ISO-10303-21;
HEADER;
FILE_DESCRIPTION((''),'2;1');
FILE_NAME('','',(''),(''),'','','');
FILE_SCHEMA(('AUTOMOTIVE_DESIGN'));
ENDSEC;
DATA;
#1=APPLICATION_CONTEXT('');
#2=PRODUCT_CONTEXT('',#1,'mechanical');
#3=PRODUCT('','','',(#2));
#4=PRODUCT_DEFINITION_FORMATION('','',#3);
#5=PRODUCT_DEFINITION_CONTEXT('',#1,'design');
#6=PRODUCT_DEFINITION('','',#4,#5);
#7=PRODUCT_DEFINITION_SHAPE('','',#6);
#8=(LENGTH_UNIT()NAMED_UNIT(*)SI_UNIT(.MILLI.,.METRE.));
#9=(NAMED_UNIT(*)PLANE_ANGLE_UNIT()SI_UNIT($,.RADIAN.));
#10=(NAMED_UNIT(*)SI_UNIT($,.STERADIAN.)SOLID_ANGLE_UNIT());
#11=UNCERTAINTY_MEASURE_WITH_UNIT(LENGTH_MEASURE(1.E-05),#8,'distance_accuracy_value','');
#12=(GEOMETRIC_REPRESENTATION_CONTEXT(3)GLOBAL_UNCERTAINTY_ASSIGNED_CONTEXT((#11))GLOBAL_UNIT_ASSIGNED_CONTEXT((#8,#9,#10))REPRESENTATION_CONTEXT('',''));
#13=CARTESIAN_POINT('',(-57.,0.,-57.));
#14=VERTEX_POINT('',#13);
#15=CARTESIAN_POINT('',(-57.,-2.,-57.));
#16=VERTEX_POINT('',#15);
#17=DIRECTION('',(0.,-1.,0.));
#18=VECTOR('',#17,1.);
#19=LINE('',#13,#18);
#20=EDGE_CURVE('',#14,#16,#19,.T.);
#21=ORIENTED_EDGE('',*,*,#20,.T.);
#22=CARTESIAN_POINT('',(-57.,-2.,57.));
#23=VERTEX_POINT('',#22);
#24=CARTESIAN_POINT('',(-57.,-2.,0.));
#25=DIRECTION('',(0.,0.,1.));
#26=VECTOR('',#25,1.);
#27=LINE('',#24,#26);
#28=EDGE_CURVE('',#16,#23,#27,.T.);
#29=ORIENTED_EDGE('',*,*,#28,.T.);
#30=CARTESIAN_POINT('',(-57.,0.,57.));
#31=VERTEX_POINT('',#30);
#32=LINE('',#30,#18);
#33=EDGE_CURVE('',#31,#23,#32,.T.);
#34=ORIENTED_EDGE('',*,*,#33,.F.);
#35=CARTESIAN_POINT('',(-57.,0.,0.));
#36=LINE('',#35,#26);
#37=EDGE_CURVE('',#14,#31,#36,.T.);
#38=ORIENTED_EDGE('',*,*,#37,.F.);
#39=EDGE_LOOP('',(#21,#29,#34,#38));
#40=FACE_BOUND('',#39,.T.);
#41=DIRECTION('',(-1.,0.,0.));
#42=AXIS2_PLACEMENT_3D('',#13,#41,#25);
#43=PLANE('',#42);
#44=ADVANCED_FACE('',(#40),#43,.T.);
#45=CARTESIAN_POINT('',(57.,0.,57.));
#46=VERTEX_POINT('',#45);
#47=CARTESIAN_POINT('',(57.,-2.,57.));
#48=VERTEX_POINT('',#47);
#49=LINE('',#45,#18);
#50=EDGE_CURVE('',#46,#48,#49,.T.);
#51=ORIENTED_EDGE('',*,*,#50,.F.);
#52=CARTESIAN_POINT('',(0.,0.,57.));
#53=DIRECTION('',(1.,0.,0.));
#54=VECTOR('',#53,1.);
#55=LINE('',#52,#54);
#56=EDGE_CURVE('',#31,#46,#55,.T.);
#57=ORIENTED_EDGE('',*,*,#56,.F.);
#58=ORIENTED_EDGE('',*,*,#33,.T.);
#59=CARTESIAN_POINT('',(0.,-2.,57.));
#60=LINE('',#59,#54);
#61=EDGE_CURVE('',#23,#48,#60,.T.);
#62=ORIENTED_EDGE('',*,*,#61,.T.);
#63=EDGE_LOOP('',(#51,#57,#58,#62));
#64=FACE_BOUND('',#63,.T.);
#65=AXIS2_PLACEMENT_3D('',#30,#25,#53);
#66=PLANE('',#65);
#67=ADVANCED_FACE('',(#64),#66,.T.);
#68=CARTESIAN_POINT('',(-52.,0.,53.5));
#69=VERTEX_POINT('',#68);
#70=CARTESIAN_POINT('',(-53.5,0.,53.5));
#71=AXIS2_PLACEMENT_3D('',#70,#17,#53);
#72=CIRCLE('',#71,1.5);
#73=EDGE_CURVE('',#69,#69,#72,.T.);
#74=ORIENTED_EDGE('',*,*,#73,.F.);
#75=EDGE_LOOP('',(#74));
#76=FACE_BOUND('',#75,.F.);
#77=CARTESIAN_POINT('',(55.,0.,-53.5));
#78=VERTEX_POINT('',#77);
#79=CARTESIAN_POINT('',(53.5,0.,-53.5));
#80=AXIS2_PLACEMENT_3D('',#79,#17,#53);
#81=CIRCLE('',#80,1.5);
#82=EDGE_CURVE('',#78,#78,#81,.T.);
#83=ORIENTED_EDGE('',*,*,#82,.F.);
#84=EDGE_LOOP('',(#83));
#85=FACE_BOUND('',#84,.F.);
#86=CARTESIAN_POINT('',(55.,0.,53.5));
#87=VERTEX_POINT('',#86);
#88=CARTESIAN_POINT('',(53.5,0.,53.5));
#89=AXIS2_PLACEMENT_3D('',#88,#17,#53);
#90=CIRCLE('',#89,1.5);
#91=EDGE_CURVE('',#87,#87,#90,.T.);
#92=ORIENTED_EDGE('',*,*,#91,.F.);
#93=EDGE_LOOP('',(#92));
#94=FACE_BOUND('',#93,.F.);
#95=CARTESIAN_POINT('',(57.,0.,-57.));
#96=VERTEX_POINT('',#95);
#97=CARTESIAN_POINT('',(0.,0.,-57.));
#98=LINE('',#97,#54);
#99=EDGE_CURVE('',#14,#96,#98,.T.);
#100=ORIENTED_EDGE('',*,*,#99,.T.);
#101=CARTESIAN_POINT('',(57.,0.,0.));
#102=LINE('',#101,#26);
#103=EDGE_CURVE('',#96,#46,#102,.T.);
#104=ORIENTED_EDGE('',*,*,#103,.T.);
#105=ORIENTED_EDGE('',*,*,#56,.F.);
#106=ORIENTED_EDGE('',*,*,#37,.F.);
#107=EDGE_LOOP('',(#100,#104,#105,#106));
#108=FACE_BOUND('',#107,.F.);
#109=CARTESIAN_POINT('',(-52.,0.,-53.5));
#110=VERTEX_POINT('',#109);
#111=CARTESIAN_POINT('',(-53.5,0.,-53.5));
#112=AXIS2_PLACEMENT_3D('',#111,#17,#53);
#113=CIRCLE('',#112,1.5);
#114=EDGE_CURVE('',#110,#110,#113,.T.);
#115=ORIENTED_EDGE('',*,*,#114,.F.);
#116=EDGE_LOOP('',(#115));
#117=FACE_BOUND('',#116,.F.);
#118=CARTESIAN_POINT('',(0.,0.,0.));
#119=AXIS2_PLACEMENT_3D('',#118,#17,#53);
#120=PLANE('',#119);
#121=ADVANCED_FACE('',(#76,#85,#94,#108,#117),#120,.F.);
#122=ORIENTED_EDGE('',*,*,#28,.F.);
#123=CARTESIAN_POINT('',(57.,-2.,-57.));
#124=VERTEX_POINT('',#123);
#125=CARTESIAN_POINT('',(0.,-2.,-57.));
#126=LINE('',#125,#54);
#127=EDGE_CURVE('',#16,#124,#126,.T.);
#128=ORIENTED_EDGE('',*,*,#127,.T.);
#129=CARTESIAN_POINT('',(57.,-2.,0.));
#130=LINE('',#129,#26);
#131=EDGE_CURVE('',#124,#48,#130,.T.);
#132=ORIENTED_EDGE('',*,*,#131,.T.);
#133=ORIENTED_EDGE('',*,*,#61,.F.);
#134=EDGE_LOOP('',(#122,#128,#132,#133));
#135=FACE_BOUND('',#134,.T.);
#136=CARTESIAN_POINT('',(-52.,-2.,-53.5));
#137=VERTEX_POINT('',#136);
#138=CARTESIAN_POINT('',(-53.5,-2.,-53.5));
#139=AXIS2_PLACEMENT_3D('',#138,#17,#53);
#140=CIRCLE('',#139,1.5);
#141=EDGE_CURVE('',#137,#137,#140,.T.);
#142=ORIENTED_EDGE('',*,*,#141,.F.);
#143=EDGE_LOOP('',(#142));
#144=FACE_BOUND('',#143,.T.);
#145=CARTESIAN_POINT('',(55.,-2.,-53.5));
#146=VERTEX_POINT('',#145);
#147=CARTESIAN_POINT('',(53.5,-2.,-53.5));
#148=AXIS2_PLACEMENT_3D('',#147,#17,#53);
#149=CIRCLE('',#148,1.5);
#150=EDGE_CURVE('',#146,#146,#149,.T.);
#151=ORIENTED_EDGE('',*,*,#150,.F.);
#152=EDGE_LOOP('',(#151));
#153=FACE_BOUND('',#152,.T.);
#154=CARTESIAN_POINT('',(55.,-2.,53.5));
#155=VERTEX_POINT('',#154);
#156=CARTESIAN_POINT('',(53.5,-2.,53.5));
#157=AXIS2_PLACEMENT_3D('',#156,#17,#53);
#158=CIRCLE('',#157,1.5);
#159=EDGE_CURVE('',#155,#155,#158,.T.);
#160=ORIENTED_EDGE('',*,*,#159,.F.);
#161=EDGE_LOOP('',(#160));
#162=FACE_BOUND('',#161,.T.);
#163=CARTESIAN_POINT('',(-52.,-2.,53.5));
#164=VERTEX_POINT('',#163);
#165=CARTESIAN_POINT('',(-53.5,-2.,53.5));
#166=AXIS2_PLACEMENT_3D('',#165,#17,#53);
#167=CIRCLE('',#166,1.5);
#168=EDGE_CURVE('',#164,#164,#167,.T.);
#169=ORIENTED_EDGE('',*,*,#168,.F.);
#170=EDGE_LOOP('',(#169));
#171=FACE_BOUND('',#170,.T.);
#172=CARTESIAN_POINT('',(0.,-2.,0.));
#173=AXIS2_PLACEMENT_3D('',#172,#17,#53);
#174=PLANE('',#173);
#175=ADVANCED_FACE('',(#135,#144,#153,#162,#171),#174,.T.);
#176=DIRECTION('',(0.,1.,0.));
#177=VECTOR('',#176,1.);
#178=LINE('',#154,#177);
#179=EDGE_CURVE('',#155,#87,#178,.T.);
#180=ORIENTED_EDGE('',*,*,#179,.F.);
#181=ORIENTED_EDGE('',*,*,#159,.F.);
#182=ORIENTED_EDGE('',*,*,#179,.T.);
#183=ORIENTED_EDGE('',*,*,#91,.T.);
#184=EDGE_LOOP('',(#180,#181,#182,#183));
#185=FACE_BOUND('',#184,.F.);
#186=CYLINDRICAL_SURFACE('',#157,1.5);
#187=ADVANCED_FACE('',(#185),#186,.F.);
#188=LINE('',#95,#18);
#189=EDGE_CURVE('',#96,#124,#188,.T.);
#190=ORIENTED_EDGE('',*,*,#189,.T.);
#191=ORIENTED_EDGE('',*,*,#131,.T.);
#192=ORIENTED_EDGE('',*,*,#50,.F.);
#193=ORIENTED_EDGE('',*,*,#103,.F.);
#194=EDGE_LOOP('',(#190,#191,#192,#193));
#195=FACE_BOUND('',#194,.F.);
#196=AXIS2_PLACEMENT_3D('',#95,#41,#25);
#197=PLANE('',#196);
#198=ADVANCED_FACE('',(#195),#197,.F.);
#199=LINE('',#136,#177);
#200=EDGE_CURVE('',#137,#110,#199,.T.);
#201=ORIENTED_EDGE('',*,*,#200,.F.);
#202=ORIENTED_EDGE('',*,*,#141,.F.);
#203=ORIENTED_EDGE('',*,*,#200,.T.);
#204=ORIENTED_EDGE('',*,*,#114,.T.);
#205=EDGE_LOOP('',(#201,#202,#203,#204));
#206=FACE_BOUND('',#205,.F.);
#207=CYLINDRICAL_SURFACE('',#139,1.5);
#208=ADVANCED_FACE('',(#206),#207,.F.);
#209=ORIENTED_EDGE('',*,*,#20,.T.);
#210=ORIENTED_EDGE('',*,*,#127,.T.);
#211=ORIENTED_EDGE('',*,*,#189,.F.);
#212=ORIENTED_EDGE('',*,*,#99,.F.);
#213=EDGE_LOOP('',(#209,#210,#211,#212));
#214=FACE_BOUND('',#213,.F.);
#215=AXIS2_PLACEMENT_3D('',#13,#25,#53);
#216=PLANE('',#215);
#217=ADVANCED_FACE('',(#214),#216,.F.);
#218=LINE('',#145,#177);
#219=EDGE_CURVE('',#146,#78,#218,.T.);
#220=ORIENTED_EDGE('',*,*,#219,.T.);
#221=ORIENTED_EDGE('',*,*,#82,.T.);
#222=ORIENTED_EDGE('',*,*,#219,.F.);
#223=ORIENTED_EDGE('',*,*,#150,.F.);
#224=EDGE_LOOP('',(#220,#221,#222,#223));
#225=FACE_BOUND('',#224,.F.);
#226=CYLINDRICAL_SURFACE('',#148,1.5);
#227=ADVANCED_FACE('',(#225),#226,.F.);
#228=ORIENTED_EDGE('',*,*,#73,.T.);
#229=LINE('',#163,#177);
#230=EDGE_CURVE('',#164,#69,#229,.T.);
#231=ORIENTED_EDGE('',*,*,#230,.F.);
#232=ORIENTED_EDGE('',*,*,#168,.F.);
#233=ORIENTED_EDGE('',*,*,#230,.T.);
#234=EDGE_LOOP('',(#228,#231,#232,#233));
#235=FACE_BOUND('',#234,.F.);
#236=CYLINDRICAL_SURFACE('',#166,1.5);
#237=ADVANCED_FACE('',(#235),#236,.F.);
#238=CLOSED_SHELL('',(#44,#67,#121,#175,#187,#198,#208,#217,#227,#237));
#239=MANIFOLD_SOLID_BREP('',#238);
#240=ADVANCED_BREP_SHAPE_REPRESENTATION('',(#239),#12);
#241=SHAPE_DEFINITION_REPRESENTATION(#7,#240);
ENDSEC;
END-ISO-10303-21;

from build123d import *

# Parameters (mm, degrees)
F0_W     = 114
F0_H     = 114
F1_DEPTH = 2
F2_R     = 1.5
F3_DEPTH = 2.001
F4_DEPTH = 2.001


with BuildPart() as f1:
    # F0 (on Front) → F1 (new body)
    with BuildSketch(Plane.XZ):
        Rectangle(F0_W, F0_H)
    extrude(amount=F1_DEPTH)

    # F2 (on face) → F3 (cut, through all)
    with BuildSketch(Plane.XZ.offset(2)):
        with Locations((-53.5, 53.5)):
            Circle(F2_R)
    extrude(amount=-F3_DEPTH, mode=Mode.SUBTRACT)

    # F2 (on face) → F4 (cut, through all)
    with BuildSketch(Plane.XZ.offset(2)):
        with Locations((-53.5, 53.5)):
            Circle(F2_R)
        with Locations((53.5, 53.5)):
            Circle(F2_R)
        with Locations((53.5, -53.5)):
            Circle(F2_R)
        with Locations((-53.5, -53.5)):
            Circle(F2_R)
    extrude(amount=-F4_DEPTH, mode=Mode.SUBTRACT)


solid = f1.part
